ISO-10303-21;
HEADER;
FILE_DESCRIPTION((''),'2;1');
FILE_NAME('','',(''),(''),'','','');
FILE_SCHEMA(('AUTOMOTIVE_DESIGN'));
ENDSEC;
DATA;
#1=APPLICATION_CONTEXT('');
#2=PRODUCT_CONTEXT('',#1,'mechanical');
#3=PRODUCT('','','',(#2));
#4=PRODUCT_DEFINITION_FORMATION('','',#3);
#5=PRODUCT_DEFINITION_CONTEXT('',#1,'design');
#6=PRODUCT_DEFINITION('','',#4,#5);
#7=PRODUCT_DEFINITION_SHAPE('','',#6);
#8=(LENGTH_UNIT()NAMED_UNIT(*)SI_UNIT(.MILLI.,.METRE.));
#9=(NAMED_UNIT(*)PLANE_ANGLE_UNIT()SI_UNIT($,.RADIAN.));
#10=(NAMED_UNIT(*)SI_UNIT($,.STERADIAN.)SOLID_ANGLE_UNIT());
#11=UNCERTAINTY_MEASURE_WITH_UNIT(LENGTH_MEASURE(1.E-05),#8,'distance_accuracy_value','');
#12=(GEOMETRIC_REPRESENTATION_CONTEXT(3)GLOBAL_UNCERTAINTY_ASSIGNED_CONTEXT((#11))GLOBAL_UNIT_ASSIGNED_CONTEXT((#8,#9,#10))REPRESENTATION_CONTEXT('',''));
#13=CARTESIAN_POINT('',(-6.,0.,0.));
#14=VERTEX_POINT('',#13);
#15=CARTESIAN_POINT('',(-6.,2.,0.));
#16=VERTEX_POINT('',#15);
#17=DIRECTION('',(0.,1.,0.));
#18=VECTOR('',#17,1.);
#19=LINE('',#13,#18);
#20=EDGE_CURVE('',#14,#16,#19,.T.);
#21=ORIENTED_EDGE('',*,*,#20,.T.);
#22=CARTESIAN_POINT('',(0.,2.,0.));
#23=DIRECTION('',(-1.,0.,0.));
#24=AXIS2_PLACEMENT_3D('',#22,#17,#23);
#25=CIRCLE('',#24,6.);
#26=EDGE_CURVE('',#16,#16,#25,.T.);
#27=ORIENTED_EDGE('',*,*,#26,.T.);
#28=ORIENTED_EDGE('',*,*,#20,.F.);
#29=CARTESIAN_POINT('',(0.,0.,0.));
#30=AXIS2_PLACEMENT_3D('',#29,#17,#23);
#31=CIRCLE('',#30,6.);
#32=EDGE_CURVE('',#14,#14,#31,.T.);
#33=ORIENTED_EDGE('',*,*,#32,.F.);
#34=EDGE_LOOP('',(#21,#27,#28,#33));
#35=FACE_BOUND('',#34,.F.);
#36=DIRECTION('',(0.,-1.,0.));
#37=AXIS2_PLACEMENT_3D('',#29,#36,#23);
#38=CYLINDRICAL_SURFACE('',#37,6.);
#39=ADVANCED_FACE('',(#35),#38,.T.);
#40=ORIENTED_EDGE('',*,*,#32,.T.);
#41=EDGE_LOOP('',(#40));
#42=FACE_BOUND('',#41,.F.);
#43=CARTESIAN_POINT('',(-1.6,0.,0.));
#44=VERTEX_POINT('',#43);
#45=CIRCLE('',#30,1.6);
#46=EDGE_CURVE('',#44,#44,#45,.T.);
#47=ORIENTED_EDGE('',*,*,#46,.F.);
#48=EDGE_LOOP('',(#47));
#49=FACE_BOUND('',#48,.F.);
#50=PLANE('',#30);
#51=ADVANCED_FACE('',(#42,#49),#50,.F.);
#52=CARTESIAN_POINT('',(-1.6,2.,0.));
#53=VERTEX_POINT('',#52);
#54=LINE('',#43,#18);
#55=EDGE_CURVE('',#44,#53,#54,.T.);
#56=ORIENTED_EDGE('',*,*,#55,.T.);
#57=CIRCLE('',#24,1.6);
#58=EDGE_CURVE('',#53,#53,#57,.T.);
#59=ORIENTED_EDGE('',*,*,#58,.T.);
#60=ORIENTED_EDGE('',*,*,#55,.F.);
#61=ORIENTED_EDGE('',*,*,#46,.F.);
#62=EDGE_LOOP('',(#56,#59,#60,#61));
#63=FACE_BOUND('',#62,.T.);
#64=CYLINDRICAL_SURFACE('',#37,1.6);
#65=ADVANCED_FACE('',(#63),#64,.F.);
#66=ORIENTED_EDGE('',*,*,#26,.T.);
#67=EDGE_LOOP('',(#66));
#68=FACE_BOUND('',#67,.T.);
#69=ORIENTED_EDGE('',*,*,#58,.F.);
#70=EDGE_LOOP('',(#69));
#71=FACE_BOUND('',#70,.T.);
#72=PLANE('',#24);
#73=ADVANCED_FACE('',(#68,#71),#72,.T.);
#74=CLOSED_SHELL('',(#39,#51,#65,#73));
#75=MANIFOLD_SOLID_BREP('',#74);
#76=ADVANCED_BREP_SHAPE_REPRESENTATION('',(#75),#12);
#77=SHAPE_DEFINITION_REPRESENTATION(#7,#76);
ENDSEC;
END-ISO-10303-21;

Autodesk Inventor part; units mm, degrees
ref_plane "YZ Plane" through (0, 0, 0) normal (1, 0, 0) x (0, 1, 0)
ref_plane "XZ Plane" through (0, 0, 0) normal (0, 1, 0) x (-1, 0, 0)
ref_plane "XY Plane" through (0, 0, 0) normal (0, 0, 1) x (1, 0, 0)
sketch "スケッチ1" plane through (0, 0, 0) normal (0, 1, 0) x (-1, 0, 0)
  circle A0 centre (0, 0) radius 1.6
  circle A1 centre (0, 0) radius 6
  dimension "d0" = 3.2
  dimension "d1" = 12
extrude "押し出し1" add sketch "スケッチ1" along normal blind 2
properties part number "FFW-0312-20B"
